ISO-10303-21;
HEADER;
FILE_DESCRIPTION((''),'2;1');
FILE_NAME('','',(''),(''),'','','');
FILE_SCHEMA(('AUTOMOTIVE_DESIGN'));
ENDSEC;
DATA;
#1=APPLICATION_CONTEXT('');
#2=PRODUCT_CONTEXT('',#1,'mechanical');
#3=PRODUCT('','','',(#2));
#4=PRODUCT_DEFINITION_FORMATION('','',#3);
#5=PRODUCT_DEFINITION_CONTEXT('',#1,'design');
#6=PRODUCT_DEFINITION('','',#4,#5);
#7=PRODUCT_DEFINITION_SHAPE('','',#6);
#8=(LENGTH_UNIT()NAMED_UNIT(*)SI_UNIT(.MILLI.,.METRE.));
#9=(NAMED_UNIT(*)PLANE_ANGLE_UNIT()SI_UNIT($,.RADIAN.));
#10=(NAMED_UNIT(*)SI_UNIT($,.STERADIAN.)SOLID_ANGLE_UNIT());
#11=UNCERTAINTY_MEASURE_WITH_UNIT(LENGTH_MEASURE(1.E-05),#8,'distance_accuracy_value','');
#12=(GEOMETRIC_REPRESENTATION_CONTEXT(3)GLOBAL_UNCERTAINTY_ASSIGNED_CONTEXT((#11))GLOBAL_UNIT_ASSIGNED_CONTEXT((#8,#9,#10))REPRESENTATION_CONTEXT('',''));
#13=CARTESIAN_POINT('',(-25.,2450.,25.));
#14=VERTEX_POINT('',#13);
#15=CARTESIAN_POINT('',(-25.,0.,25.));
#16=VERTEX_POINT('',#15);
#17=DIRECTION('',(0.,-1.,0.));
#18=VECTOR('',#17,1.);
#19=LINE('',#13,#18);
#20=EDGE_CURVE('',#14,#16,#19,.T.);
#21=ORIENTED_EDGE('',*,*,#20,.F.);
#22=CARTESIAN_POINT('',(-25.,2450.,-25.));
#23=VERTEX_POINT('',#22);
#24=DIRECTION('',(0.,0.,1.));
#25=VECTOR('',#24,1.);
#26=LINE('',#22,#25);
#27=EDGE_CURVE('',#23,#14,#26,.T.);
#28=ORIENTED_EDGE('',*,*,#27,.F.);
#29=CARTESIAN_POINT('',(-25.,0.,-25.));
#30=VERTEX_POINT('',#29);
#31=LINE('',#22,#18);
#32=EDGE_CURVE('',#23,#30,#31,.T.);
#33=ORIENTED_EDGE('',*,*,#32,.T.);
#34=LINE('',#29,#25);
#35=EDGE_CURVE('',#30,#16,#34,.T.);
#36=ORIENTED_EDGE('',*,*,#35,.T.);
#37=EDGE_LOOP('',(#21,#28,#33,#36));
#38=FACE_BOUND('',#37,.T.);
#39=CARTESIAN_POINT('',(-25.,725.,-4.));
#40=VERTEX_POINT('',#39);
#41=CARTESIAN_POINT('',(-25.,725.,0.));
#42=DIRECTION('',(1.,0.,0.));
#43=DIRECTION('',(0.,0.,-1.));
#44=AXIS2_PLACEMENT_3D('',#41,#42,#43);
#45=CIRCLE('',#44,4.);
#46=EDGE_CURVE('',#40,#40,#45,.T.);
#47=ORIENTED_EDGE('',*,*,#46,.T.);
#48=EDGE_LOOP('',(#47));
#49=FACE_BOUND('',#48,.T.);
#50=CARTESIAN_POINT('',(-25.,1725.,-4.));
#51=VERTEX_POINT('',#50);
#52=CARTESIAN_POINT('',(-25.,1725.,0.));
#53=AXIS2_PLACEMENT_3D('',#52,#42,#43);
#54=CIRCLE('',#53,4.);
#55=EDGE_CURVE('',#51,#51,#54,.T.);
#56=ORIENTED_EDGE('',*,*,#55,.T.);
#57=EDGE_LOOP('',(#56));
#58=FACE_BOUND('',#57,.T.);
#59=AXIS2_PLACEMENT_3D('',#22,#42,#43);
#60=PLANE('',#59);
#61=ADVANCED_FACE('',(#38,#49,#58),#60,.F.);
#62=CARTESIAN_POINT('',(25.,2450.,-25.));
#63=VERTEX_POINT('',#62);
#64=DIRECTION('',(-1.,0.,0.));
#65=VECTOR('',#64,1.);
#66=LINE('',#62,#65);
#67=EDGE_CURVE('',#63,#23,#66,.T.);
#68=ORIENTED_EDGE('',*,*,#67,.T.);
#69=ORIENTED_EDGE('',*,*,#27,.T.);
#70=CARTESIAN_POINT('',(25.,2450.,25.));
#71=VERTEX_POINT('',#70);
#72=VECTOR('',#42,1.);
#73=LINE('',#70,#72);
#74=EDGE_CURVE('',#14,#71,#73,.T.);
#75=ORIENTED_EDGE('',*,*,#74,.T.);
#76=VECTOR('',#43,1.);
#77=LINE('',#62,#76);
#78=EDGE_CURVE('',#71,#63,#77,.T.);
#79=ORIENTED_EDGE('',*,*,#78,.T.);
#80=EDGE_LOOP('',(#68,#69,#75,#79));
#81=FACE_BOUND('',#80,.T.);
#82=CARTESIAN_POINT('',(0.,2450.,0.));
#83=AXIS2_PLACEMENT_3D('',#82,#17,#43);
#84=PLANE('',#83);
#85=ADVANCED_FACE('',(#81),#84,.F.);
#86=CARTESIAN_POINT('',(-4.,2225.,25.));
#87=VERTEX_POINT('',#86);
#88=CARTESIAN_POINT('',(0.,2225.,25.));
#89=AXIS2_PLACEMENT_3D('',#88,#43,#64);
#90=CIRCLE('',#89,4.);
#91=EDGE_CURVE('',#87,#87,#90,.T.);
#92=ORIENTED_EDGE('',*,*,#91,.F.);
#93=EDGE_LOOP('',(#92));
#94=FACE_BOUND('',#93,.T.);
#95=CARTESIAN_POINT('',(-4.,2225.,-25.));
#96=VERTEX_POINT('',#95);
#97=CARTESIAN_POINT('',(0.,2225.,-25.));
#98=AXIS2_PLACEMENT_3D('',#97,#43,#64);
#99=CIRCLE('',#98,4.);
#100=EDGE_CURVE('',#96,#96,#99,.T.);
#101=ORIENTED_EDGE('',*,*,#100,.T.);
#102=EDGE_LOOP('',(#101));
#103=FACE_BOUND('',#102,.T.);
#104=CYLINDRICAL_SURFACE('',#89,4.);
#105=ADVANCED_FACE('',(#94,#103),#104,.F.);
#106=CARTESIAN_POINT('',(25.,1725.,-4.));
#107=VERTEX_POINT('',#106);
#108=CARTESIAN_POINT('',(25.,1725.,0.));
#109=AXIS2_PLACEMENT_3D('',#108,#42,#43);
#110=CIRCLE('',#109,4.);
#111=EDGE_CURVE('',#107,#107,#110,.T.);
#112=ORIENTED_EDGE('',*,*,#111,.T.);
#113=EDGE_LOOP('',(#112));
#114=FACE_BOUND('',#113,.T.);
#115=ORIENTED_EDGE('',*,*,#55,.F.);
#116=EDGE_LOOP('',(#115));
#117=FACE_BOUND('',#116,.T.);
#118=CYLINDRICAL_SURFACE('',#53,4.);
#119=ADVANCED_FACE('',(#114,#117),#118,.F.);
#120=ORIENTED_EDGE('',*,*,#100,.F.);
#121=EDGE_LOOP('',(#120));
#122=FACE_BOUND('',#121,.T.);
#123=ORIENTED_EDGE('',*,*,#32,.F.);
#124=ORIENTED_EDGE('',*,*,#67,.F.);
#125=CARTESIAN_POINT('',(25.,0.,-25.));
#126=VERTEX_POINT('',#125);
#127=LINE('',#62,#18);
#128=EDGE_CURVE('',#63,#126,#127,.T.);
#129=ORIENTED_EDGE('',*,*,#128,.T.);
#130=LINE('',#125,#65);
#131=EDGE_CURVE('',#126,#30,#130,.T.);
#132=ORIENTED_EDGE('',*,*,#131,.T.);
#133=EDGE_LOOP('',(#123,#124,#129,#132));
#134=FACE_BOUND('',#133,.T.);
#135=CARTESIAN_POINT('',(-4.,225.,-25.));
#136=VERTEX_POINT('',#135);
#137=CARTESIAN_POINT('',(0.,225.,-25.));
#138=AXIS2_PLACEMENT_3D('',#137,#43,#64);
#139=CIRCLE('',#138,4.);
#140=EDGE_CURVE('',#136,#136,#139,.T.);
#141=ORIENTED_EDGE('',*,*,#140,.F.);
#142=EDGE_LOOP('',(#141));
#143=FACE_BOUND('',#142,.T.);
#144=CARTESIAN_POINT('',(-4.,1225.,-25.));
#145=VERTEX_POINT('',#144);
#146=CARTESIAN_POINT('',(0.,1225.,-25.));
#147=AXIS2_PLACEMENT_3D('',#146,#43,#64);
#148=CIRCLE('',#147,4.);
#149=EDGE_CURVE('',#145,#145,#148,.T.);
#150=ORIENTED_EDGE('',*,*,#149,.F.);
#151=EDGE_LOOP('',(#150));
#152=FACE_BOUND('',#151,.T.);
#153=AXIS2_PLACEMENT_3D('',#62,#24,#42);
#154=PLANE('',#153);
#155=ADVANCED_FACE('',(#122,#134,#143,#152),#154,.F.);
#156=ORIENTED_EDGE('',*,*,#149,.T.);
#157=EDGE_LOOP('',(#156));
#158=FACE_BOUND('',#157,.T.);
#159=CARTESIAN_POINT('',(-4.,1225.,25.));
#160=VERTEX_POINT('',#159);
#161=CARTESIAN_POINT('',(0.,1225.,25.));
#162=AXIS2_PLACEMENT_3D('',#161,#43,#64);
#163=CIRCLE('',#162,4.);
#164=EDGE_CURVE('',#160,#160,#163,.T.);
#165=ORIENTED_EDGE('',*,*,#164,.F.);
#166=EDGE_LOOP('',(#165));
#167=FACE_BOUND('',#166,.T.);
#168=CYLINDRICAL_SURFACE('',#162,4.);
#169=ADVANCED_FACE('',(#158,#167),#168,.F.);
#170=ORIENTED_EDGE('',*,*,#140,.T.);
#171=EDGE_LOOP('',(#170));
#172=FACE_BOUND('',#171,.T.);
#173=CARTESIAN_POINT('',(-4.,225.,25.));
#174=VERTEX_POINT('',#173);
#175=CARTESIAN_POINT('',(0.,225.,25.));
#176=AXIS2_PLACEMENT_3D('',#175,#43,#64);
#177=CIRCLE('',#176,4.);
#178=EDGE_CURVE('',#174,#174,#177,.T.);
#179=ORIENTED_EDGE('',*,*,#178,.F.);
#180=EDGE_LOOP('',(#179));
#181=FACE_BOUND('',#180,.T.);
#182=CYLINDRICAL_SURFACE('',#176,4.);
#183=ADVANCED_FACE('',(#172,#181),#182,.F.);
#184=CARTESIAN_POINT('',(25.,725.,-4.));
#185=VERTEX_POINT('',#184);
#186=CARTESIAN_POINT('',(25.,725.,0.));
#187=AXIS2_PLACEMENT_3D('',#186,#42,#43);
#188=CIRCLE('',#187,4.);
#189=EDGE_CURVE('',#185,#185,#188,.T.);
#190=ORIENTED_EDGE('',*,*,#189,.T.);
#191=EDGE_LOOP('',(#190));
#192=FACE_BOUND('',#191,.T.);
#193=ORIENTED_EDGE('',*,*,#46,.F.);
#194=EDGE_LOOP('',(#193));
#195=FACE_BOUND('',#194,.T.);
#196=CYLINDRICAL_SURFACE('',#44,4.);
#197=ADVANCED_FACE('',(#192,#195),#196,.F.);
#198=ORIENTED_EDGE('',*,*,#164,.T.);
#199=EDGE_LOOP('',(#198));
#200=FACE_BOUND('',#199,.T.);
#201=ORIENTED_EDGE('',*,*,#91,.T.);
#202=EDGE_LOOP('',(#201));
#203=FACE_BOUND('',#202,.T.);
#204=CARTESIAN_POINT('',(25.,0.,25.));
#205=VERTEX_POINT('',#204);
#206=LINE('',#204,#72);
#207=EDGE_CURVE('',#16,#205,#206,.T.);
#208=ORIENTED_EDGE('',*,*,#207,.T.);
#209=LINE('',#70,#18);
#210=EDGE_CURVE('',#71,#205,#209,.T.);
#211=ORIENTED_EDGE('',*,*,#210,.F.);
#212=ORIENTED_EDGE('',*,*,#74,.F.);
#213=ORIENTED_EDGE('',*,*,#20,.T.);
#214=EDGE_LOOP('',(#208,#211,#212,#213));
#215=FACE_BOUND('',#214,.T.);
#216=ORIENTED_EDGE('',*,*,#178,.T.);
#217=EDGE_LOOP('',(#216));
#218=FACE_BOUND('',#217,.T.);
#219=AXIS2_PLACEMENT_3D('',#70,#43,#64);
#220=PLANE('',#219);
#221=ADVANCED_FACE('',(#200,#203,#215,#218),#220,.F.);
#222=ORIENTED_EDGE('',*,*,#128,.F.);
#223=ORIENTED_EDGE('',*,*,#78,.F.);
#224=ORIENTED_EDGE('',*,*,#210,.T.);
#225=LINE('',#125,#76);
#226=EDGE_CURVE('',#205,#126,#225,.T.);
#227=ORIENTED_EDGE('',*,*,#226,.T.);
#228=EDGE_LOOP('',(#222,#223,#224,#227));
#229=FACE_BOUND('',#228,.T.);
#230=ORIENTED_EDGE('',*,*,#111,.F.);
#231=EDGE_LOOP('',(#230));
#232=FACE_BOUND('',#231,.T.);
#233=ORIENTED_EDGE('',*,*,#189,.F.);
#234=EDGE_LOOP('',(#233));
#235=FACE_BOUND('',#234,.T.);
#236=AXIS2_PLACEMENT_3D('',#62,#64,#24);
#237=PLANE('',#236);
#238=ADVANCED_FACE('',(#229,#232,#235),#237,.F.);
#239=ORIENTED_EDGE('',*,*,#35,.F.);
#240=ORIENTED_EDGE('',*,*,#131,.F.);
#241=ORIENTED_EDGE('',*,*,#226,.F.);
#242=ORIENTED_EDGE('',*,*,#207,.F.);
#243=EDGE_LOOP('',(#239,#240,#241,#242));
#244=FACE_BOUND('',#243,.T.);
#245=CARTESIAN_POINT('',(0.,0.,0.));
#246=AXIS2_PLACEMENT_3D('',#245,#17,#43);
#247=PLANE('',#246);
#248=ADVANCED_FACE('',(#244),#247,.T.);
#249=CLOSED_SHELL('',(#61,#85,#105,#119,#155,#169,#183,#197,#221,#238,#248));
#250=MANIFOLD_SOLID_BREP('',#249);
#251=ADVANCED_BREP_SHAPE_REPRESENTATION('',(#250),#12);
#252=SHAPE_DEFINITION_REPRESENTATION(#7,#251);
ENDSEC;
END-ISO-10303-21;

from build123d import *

# Parameters (mm, degrees)
SKETCH_1_W          = 50
SKETCH_1_H          = 50
EXTRUDE_1_DEPTH     = 2450
SKETCH_10_R         = 4
CUT_EXTRUDE_8_DEPTH = 50
SKETCH_11_R         = 4
CUT_EXTRUDE_9_DEPTH = 50


with BuildPart() as part:
    # Эскиз1 → Бобышка-Вытянуть1 (new body)
    with BuildSketch(Plane(origin=(0, 0, 0), x_dir=(1, 0, 0), z_dir=(0, 1, 0))):
        Rectangle(SKETCH_1_W, SKETCH_1_H)
    extrude(amount=EXTRUDE_1_DEPTH)

    # Эскиз10 → Вырез-Вытянуть8 (cut)
    with BuildSketch(Plane(origin=(0, 0, -25), x_dir=(-1, 0, 0), z_dir=(0, 0, -1))):
        with Locations((0, 1225)):
            Circle(SKETCH_10_R)
        with Locations((0, 2225)):
            Circle(SKETCH_10_R)
        with Locations((0, 225)):
            Circle(SKETCH_10_R)
    extrude(amount=-CUT_EXTRUDE_8_DEPTH, mode=Mode.SUBTRACT)

    # Эскиз11 → Вырез-Вытянуть9 (cut)
    with BuildSketch(Plane(origin=(25, 0, 0), x_dir=(0, 0, -1), z_dir=(1, 0, 0))):
        with Locations((0, 1725)):
            Circle(SKETCH_11_R)
        with Locations((0, 725)):
            Circle(SKETCH_11_R)
    extrude(amount=-CUT_EXTRUDE_9_DEPTH, mode=Mode.SUBTRACT)


solid = part.part
